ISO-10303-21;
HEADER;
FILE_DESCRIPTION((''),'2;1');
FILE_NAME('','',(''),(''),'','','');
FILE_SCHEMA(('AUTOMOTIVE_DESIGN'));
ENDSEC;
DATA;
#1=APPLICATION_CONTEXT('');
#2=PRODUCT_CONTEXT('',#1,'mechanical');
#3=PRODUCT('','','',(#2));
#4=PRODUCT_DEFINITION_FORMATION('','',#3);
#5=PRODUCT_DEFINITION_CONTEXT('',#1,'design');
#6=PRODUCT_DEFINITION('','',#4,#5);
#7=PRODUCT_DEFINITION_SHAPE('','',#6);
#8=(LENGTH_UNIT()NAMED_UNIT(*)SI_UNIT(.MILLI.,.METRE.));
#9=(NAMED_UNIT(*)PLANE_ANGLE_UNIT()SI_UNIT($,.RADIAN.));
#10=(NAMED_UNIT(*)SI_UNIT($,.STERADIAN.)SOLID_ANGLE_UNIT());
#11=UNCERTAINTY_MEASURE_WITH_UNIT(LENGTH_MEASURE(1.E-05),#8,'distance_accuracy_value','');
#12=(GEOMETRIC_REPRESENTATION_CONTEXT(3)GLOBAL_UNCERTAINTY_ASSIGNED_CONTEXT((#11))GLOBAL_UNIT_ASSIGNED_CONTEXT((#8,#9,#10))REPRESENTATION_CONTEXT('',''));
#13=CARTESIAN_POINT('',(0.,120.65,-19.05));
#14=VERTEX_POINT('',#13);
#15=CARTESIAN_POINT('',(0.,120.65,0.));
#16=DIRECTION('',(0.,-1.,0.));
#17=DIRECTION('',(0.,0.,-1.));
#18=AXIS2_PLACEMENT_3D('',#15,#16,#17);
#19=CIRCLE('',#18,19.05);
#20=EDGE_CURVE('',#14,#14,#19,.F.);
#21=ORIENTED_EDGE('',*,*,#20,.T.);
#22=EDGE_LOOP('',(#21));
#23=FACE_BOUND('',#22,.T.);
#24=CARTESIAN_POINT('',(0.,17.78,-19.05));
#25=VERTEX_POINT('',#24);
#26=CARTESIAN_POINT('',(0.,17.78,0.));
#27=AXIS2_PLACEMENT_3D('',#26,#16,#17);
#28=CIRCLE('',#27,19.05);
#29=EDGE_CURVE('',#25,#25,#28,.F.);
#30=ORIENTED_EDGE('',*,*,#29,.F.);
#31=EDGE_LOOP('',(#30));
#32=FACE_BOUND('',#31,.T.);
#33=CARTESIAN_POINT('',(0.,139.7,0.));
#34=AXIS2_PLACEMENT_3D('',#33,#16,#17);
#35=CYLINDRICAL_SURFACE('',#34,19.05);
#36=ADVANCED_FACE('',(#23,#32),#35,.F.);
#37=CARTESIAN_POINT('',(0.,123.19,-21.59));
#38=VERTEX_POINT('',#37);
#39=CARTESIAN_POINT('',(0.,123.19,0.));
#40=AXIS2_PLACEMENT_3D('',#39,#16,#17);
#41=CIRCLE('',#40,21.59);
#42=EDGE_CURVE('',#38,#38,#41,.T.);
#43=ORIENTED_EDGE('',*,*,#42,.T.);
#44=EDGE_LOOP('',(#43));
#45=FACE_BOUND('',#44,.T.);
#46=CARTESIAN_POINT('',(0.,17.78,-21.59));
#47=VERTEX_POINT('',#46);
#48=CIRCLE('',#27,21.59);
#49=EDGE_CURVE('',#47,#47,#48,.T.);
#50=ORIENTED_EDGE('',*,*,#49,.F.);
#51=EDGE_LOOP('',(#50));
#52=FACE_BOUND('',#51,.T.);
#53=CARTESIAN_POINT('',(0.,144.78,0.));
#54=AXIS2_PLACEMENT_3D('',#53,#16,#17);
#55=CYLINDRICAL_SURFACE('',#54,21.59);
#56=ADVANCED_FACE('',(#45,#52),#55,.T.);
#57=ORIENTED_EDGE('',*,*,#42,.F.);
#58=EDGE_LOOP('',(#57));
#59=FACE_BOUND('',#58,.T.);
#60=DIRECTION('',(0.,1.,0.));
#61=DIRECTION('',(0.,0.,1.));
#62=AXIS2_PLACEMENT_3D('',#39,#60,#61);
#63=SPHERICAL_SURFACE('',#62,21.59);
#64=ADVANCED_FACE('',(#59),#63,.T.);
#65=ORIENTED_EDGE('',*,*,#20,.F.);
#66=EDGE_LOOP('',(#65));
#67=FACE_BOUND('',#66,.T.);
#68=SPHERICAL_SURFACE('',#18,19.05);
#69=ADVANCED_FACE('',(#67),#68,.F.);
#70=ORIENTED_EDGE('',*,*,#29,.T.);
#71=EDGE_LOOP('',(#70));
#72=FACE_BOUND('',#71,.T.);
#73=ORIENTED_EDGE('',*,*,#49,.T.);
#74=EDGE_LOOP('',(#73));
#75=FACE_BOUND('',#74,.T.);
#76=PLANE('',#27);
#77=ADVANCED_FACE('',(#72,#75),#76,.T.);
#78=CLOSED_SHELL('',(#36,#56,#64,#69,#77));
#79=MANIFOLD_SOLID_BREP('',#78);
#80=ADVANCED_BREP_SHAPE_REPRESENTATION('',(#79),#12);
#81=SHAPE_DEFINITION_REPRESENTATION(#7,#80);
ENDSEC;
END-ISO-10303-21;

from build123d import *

# Parameters (mm, degrees)
SKETCH2_R           = 21.59
BOSS_EXTRUDE1_DEPTH = 144.78
SKETCH3_R           = 19.05
CUT_EXTRUDE1_DEPTH  = 139.7
FILLET1_R           = 21.59
FILLET2_R           = 19.05
SKETCH4_R           = 21.59
CUT_EXTRUDE2_DEPTH  = 17.78


with BuildPart() as part:
    # Sketch2 → Boss-Extrude1 (new body)
    with BuildSketch(Plane(origin=(0, 0, 0), x_dir=(1, 0, 0), z_dir=(0, 1, 0))):
        Circle(SKETCH2_R)
    extrude(amount=BOSS_EXTRUDE1_DEPTH)

    # Sketch3 → Cut-Extrude1 (cut)
    with BuildSketch(Plane.XZ):
        Circle(SKETCH3_R)
    extrude(amount=-CUT_EXTRUDE1_DEPTH, mode=Mode.SUBTRACT)

    # Fillet1
    fillet1_edges = [part.edges().sort_by_distance(p)[0] for p in [
        (-21.59, 144.78, 0),
    ]]
    fillet(fillet1_edges, radius=FILLET1_R)

    # Fillet2
    fillet2_edges = [part.edges().sort_by_distance(p)[0] for p in [
        (-19.05, 139.7, 0),
    ]]
    fillet(fillet2_edges, radius=FILLET2_R)

    # Sketch4 → Cut-Extrude2 (cut)
    with BuildSketch(Plane.XZ):
        Circle(SKETCH4_R)
    extrude(amount=-CUT_EXTRUDE2_DEPTH, mode=Mode.SUBTRACT)


solid = part.part
